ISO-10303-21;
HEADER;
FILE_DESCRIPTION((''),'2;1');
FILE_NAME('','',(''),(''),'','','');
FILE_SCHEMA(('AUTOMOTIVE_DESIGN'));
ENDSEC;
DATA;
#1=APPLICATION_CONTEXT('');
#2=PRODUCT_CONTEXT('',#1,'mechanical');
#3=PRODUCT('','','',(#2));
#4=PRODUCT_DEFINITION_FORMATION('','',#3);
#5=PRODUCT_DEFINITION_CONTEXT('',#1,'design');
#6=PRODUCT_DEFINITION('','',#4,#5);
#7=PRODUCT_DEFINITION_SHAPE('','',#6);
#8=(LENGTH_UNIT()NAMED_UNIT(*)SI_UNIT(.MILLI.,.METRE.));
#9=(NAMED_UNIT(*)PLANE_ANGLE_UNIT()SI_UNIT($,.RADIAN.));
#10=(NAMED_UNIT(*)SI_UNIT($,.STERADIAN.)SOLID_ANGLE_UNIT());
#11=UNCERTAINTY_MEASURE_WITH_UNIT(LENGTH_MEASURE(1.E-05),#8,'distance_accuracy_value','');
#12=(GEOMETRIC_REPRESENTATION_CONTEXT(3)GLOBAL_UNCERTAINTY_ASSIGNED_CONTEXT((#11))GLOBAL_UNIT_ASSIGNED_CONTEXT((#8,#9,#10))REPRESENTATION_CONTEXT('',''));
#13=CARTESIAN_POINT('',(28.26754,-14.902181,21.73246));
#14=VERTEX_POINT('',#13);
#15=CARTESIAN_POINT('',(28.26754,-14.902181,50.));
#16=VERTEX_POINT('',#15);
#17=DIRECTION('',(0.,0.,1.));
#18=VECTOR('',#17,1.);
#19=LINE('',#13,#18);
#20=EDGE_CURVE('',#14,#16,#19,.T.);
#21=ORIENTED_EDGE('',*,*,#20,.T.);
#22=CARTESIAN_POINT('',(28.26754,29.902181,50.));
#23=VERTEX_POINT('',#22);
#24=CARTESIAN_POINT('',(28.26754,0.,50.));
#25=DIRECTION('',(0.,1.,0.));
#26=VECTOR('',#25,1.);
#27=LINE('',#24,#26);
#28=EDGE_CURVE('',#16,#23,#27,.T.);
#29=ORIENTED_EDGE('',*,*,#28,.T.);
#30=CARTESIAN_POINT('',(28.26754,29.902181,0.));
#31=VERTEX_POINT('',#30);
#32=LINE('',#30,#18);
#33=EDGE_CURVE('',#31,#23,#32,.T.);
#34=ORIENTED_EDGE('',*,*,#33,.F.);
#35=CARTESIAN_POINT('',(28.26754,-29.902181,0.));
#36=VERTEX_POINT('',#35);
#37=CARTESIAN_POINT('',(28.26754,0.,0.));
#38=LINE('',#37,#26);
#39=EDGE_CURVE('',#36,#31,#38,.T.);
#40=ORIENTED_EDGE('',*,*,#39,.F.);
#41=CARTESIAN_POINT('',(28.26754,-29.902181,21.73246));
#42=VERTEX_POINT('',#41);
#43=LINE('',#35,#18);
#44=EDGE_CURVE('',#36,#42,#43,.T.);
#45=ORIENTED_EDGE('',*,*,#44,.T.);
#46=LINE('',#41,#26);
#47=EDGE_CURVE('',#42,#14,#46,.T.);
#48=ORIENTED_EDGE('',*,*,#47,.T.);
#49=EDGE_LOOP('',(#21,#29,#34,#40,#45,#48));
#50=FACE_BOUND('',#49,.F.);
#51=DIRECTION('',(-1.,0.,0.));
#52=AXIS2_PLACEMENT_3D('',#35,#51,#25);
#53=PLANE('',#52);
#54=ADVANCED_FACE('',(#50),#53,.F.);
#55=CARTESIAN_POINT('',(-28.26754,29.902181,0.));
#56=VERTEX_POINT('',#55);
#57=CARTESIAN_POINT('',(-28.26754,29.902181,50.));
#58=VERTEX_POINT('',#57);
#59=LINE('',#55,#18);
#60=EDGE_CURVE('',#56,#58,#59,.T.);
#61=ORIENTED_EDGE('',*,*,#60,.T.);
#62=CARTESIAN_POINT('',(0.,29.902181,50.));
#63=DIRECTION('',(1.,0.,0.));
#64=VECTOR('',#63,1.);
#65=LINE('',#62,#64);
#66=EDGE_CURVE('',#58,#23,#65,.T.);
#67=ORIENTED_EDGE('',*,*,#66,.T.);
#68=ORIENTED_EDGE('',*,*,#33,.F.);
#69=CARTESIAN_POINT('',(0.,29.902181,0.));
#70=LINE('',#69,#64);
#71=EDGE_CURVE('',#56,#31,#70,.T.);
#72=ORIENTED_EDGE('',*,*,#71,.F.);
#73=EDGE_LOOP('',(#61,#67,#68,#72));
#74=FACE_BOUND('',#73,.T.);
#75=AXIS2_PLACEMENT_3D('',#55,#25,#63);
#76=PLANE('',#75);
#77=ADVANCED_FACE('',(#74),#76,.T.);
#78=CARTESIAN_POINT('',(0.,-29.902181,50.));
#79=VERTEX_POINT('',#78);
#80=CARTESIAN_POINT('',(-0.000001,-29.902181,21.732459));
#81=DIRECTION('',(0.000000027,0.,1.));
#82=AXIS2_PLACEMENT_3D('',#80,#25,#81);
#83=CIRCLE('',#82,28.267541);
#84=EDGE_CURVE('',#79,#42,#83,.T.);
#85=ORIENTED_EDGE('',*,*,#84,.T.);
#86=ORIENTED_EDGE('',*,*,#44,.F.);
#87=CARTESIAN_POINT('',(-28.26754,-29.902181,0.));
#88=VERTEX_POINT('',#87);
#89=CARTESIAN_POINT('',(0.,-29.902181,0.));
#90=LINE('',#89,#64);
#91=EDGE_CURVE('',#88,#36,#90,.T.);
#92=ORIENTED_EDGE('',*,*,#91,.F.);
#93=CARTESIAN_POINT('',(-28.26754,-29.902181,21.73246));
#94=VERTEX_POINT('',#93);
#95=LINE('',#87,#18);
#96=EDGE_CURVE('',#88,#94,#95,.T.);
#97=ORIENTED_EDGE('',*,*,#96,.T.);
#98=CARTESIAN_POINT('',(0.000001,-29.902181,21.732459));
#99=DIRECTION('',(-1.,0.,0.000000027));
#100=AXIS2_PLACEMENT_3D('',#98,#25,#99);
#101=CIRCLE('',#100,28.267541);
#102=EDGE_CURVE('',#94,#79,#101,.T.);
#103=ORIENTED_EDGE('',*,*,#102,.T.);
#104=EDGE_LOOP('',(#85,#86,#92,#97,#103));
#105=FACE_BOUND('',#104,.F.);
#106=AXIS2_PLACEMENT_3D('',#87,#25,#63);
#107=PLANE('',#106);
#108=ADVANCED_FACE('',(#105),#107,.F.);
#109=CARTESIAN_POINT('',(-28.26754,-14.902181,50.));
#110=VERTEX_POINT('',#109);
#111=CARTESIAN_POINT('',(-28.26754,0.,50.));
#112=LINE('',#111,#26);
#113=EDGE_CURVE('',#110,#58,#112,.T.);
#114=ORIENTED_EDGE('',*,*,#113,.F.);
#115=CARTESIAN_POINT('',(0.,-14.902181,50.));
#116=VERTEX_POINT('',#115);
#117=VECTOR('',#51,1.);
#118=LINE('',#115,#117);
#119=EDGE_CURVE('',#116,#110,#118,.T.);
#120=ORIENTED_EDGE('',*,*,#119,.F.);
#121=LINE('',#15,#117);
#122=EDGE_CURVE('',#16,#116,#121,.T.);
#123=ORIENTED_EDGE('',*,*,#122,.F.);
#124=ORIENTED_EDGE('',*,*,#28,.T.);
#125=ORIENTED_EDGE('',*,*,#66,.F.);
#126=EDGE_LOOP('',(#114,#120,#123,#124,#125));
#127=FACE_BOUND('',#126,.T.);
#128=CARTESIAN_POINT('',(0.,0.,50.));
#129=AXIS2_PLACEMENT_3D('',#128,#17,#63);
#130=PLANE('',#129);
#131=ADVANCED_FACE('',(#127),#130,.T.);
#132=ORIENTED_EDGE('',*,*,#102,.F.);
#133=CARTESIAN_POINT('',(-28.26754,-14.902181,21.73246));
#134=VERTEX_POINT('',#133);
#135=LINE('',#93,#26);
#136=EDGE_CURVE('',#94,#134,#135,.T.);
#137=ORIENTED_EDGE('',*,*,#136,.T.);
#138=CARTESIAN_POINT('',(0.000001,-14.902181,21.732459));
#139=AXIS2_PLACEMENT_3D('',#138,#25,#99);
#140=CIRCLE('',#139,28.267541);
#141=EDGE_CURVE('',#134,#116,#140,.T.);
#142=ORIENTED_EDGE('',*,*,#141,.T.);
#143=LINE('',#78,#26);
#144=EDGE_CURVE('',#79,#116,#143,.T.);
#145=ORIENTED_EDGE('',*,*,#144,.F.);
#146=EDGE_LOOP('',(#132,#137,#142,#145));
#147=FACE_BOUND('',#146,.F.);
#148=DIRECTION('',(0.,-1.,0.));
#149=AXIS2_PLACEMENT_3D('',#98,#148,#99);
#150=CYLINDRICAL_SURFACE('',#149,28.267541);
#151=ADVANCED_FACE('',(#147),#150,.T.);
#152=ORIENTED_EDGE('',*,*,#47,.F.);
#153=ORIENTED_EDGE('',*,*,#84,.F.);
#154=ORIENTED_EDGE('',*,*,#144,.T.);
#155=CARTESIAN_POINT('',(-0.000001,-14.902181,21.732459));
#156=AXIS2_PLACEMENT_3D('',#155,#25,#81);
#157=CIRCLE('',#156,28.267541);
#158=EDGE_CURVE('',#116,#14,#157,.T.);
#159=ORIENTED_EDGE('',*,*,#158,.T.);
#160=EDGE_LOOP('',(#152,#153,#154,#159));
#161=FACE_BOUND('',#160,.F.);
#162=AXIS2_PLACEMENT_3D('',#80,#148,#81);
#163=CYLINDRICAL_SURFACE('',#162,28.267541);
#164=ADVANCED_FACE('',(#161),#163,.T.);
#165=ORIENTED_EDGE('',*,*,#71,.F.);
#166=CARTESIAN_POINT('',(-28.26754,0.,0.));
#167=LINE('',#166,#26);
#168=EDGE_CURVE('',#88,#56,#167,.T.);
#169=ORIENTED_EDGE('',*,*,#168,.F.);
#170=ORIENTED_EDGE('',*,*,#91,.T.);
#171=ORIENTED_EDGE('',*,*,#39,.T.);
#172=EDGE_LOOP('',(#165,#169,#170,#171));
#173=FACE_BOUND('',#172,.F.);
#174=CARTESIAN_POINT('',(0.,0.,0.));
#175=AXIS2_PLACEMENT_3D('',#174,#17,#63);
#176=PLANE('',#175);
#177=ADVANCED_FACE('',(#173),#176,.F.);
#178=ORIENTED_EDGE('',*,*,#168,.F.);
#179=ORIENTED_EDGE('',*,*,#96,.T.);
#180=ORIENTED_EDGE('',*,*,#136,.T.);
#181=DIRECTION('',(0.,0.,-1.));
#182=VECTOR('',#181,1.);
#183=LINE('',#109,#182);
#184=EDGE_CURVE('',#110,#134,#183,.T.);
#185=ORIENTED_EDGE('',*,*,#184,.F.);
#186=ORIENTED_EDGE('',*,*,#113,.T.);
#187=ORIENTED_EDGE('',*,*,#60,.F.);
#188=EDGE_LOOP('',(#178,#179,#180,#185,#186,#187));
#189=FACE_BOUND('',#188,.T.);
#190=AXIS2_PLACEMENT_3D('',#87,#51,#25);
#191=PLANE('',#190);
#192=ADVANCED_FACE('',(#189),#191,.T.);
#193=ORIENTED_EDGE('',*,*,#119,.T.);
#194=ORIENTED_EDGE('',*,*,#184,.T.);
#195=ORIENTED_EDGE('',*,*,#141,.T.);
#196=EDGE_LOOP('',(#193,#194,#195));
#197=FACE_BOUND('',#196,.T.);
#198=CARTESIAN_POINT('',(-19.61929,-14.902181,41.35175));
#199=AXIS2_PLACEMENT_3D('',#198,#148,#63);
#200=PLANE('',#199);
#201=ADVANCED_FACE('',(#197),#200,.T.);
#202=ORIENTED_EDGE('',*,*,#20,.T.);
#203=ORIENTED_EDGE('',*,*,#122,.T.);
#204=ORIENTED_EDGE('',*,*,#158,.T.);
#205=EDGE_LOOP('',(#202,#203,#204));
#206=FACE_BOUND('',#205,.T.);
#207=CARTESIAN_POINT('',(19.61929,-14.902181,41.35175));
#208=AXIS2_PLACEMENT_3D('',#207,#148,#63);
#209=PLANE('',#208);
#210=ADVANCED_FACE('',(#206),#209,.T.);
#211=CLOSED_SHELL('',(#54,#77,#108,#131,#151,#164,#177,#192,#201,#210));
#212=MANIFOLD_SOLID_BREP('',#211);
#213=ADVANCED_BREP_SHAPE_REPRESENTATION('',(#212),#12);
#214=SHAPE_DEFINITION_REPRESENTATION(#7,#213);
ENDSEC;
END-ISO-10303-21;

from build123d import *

# Parameters (mm, degrees)
F0_W     = 56.53508
F0_H     = 59.804362
F1_DEPTH = 50
F3_DEPTH = 15


with BuildPart() as f1:
    # F0 (on Top) → F1 (new body)
    with BuildSketch(Plane.XY):
        Rectangle(F0_W, F0_H)
    extrude(amount=F1_DEPTH)

    # F2 (on face) → F3 (cut)
    with BuildSketch(Plane.XZ.offset(29.902181)):
        with BuildLine():
            ThreePointArc((0, 50), (19.988169, 41.720629), (28.26754, 21.73246))
            Line((28.26754, 21.73246), (28.26754, 50))
            Line((28.26754, 50), (0, 50))
        make_face()
        with BuildLine():
            ThreePointArc((-28.26754, 21.73246), (-19.988169, 41.720629), (0, 50))
            Line((0, 50), (-28.26754, 50))
            Line((-28.26754, 50), (-28.26754, 21.73246))
        make_face()
    extrude(amount=-F3_DEPTH, mode=Mode.SUBTRACT)


solid = f1.part
